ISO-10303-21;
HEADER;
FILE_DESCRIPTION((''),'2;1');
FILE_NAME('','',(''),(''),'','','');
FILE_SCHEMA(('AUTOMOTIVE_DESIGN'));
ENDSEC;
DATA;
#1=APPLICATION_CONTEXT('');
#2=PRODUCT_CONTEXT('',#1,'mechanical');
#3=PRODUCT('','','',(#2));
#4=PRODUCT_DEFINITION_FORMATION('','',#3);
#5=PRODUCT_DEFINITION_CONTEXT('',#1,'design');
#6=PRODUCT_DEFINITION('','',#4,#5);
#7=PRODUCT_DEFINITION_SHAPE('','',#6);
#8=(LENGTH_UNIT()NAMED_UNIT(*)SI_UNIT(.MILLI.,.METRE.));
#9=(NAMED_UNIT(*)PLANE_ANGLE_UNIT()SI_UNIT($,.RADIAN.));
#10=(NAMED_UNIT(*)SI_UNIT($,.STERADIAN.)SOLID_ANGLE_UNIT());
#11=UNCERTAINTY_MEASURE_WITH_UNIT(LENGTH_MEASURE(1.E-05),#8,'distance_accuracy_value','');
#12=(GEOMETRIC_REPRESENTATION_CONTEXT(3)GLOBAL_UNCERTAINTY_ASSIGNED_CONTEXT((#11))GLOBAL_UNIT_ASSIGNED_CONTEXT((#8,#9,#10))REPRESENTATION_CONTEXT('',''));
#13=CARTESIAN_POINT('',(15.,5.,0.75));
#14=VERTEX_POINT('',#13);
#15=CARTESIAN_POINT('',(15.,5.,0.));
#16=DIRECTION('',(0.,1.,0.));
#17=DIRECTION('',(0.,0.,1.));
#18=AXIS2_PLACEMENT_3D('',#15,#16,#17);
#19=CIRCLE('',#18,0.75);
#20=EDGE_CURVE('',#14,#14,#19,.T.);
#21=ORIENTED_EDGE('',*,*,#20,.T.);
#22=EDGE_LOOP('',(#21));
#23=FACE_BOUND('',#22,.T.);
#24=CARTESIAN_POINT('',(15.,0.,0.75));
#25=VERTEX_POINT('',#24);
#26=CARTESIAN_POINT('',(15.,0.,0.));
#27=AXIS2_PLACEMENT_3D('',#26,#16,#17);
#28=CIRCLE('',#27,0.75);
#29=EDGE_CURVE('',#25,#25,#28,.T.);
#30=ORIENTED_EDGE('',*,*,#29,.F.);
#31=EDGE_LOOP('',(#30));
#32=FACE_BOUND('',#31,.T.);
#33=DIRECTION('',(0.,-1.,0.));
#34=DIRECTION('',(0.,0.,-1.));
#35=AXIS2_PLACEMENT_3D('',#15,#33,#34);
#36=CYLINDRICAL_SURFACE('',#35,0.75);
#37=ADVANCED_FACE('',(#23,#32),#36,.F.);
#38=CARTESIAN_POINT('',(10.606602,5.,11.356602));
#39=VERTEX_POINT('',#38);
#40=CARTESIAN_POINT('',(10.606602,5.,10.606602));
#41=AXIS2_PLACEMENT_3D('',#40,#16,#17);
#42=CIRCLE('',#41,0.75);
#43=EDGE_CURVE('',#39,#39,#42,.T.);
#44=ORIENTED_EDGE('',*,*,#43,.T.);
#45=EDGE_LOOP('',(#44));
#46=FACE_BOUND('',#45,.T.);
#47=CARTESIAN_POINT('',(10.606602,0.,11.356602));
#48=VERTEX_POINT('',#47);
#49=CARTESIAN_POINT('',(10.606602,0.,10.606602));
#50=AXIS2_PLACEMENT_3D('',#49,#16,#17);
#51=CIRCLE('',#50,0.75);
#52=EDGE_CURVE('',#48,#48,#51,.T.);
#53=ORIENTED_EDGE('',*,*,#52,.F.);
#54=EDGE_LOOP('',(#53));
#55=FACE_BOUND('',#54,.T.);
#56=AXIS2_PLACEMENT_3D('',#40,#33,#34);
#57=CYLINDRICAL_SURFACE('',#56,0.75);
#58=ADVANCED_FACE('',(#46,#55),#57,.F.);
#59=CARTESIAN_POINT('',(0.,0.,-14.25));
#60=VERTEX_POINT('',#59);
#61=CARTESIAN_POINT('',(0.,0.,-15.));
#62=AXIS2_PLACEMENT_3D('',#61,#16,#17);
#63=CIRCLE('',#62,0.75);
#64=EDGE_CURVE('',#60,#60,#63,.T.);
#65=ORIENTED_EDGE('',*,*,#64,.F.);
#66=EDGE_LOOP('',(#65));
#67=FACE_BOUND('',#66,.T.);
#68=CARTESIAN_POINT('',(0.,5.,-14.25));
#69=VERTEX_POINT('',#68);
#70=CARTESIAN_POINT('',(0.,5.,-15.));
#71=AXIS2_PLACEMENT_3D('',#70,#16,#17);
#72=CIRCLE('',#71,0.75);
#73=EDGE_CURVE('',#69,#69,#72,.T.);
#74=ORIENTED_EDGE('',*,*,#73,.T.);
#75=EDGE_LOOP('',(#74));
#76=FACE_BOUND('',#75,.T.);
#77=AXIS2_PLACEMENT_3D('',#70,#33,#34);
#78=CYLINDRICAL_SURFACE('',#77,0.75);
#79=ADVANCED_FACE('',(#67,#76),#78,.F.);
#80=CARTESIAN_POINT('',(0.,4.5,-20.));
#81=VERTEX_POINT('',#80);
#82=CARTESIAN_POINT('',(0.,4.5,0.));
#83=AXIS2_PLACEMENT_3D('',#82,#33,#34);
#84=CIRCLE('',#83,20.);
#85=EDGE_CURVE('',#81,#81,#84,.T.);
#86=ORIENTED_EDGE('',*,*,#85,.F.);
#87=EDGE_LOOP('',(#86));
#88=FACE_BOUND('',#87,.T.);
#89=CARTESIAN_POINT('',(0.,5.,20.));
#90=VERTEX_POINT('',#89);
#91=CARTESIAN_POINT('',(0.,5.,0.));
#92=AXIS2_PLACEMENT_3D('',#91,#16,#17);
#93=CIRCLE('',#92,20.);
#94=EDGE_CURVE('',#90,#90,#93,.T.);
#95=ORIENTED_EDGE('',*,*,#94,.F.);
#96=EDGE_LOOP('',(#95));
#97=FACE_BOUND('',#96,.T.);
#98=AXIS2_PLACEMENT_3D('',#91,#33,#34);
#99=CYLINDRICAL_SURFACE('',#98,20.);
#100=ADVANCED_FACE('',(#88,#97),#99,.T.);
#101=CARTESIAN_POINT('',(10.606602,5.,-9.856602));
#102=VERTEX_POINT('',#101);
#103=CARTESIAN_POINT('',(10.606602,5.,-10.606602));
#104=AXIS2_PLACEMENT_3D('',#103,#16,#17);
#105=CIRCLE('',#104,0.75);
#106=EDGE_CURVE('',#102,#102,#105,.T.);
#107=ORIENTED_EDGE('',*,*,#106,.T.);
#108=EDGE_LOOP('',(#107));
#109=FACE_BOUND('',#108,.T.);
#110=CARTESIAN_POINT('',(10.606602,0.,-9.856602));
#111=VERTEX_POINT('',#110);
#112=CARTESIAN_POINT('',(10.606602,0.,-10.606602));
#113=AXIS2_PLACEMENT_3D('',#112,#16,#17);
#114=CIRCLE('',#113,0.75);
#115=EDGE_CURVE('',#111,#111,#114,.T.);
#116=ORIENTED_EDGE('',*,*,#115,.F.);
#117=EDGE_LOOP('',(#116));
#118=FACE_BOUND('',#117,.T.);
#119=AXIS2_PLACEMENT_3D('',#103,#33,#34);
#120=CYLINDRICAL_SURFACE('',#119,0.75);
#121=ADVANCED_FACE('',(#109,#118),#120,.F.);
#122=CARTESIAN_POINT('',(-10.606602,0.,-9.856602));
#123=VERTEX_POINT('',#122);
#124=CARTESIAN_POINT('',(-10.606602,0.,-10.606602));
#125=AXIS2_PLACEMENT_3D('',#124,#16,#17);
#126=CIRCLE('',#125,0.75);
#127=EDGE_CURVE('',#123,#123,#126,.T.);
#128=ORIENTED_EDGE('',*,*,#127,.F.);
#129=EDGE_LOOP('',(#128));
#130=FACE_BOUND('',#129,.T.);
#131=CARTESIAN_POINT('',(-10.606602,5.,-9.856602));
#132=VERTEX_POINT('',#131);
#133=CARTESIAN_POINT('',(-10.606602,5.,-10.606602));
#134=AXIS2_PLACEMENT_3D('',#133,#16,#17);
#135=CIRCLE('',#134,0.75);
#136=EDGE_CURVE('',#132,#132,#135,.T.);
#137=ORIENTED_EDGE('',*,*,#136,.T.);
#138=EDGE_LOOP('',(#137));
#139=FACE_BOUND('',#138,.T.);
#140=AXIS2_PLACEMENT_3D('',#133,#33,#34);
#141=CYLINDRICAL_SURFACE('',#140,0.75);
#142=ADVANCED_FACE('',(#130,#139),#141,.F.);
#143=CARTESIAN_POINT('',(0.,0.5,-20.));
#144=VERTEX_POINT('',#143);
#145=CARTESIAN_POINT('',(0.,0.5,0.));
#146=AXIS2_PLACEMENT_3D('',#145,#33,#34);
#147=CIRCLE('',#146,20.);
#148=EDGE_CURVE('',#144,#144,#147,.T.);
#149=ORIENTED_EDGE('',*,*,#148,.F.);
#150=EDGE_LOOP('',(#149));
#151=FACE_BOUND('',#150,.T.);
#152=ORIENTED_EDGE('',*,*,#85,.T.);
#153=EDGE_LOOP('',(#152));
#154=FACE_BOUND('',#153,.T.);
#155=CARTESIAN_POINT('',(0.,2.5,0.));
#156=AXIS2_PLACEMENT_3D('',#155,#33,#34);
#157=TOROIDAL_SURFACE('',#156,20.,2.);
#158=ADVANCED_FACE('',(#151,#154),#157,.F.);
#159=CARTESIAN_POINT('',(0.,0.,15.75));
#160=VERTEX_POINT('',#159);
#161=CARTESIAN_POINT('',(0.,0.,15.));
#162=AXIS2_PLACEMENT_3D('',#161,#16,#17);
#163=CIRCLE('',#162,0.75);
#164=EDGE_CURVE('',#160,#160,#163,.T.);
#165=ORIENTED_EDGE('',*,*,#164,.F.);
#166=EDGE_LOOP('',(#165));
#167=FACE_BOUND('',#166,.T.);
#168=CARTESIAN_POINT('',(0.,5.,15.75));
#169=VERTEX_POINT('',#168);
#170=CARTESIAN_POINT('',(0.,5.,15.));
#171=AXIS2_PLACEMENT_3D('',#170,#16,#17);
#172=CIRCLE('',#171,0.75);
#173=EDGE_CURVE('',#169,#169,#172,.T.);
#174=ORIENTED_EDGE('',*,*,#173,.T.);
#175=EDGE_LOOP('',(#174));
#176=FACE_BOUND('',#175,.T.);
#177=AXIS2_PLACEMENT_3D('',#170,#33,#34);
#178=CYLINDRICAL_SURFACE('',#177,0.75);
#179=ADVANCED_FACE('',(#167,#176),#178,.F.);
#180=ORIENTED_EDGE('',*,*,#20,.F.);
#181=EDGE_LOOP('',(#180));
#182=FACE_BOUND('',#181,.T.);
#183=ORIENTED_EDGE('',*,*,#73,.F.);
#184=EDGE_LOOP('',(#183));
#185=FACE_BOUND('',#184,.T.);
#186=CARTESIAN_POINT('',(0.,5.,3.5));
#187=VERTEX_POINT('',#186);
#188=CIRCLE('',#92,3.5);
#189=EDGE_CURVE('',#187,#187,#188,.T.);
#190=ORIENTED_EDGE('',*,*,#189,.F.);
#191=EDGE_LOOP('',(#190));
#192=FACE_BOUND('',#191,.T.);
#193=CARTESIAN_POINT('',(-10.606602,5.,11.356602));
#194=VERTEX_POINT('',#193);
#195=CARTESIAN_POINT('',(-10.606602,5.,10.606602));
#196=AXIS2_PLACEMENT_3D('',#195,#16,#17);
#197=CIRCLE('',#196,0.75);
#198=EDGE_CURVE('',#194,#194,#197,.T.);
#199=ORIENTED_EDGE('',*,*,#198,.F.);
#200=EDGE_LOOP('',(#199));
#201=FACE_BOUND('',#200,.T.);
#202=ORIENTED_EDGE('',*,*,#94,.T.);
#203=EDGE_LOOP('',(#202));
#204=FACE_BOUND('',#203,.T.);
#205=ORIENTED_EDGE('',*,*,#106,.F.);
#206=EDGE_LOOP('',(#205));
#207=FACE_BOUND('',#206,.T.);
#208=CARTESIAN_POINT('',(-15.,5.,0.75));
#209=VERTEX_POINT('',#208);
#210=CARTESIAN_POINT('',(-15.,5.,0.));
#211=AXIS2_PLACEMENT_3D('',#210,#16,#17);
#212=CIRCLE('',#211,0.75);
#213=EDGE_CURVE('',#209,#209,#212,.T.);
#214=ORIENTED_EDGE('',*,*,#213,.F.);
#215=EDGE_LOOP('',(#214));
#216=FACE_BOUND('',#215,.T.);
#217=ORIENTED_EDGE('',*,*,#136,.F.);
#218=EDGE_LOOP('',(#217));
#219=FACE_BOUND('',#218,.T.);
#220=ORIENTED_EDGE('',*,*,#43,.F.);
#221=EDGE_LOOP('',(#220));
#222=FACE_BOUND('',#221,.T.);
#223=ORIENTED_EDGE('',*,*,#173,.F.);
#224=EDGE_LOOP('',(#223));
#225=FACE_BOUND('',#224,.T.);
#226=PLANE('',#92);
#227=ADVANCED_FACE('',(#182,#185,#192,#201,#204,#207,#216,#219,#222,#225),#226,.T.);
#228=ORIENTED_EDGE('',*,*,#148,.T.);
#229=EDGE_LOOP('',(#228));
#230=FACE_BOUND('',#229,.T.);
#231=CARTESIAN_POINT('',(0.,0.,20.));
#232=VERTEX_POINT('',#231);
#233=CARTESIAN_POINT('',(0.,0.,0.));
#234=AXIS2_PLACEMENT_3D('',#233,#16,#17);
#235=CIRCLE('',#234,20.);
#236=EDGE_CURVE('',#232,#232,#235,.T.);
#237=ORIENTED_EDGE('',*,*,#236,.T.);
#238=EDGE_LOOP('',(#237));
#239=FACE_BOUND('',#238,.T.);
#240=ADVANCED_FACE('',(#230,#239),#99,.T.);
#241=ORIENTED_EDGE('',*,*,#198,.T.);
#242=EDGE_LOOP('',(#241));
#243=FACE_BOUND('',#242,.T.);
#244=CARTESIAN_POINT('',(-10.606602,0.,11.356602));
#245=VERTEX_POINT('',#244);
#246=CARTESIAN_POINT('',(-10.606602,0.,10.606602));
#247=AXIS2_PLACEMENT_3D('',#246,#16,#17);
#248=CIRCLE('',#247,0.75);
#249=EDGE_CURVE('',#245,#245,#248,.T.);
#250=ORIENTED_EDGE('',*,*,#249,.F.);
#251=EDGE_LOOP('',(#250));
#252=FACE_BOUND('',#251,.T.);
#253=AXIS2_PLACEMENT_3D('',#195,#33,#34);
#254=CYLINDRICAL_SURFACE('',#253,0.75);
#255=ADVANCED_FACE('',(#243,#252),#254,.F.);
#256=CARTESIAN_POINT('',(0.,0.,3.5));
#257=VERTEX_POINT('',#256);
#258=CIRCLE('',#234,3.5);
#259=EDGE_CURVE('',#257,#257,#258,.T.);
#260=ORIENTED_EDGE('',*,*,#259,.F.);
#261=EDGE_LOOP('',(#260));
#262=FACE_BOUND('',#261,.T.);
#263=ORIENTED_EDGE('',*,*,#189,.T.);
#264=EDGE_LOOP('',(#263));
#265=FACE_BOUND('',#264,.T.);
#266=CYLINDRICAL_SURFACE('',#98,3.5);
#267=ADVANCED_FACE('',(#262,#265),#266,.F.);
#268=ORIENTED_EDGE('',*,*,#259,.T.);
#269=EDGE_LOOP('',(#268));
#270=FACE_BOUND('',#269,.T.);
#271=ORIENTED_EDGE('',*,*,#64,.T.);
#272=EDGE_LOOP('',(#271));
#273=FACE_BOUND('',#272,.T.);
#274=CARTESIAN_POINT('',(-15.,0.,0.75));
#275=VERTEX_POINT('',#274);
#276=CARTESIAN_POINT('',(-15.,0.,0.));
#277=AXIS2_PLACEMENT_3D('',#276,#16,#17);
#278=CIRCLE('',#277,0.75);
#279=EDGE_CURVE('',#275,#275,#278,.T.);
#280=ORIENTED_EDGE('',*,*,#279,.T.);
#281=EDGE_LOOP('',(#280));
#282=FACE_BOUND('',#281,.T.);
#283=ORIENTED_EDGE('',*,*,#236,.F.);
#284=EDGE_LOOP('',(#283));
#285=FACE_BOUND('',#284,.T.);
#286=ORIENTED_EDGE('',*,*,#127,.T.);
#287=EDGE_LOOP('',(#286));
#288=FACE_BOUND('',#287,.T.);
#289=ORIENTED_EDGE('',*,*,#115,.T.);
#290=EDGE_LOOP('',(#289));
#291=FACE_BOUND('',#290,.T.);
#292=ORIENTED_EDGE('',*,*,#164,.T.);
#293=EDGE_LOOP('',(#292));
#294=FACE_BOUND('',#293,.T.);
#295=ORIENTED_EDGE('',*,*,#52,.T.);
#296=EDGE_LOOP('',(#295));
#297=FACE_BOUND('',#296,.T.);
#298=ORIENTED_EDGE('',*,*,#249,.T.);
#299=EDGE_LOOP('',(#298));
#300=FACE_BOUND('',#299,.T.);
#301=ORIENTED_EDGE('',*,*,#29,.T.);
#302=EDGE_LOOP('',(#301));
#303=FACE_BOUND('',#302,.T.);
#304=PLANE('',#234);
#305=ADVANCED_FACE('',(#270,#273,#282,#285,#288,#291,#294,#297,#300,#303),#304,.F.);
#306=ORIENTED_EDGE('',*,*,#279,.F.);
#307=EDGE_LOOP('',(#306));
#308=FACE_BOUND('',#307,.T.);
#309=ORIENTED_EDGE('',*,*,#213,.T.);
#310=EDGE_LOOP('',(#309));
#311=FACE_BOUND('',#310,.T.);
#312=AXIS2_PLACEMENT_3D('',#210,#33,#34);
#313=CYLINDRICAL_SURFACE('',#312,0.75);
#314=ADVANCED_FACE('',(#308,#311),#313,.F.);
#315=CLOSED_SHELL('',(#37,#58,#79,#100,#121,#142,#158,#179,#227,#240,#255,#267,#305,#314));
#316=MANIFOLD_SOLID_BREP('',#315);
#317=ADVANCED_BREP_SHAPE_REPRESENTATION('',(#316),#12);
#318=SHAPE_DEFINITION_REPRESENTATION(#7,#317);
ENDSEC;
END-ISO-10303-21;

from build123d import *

# Parameters (mm, degrees)
SKETCH1_R           = 20
SKETCH1_R_2         = 3.5
BOSS_EXTRUDE1_DEPTH = 5
SKETCH3_R           = 0.75
CUT_EXTRUDE1_DEPTH  = 6


with BuildPart() as part:
    # Sketch1 → Boss-Extrude1 (new body)
    with BuildSketch(Plane(origin=(0, 0, 0), x_dir=(1, 0, 0), z_dir=(0, 1, 0))):
        Circle(SKETCH1_R)
        Circle(SKETCH1_R_2, mode=Mode.SUBTRACT)
    extrude(amount=BOSS_EXTRUDE1_DEPTH)

    # Sketch2 → Cut-Revolve1 (revolve, cut)
    with BuildSketch(Plane.XY):
        with BuildLine():
            Line((-20, 0.5), (-20, 4.5))
            ThreePointArc((-20, 4.5), (-18, 2.5), (-20, 0.5))
        make_face()
    revolve(axis=Axis((0, 0, 0), (0, 1, 0)), mode=Mode.SUBTRACT)

    # Sketch3 → Cut-Extrude1 (cut, through all)
    with BuildSketch(Plane(origin=(0, 0, 0), x_dir=(1, 0, 0), z_dir=(0, 1, 0))):
        with Locations((0, -15)):
            Circle(SKETCH3_R)
        with Locations((-10.606601718, -10.606601718)):
            Circle(SKETCH3_R)
        with Locations((-15, 0)):
            Circle(SKETCH3_R)
        with Locations((-10.606601718, 10.606601718)):
            Circle(SKETCH3_R)
        with Locations((0, 15)):
            Circle(SKETCH3_R)
        with Locations((10.606601718, 10.606601718)):
            Circle(SKETCH3_R)
        with Locations((15, 0)):
            Circle(SKETCH3_R)
        with Locations((10.606601718, -10.606601718)):
            Circle(SKETCH3_R)
    extrude(amount=CUT_EXTRUDE1_DEPTH, mode=Mode.SUBTRACT)


solid = part.part
